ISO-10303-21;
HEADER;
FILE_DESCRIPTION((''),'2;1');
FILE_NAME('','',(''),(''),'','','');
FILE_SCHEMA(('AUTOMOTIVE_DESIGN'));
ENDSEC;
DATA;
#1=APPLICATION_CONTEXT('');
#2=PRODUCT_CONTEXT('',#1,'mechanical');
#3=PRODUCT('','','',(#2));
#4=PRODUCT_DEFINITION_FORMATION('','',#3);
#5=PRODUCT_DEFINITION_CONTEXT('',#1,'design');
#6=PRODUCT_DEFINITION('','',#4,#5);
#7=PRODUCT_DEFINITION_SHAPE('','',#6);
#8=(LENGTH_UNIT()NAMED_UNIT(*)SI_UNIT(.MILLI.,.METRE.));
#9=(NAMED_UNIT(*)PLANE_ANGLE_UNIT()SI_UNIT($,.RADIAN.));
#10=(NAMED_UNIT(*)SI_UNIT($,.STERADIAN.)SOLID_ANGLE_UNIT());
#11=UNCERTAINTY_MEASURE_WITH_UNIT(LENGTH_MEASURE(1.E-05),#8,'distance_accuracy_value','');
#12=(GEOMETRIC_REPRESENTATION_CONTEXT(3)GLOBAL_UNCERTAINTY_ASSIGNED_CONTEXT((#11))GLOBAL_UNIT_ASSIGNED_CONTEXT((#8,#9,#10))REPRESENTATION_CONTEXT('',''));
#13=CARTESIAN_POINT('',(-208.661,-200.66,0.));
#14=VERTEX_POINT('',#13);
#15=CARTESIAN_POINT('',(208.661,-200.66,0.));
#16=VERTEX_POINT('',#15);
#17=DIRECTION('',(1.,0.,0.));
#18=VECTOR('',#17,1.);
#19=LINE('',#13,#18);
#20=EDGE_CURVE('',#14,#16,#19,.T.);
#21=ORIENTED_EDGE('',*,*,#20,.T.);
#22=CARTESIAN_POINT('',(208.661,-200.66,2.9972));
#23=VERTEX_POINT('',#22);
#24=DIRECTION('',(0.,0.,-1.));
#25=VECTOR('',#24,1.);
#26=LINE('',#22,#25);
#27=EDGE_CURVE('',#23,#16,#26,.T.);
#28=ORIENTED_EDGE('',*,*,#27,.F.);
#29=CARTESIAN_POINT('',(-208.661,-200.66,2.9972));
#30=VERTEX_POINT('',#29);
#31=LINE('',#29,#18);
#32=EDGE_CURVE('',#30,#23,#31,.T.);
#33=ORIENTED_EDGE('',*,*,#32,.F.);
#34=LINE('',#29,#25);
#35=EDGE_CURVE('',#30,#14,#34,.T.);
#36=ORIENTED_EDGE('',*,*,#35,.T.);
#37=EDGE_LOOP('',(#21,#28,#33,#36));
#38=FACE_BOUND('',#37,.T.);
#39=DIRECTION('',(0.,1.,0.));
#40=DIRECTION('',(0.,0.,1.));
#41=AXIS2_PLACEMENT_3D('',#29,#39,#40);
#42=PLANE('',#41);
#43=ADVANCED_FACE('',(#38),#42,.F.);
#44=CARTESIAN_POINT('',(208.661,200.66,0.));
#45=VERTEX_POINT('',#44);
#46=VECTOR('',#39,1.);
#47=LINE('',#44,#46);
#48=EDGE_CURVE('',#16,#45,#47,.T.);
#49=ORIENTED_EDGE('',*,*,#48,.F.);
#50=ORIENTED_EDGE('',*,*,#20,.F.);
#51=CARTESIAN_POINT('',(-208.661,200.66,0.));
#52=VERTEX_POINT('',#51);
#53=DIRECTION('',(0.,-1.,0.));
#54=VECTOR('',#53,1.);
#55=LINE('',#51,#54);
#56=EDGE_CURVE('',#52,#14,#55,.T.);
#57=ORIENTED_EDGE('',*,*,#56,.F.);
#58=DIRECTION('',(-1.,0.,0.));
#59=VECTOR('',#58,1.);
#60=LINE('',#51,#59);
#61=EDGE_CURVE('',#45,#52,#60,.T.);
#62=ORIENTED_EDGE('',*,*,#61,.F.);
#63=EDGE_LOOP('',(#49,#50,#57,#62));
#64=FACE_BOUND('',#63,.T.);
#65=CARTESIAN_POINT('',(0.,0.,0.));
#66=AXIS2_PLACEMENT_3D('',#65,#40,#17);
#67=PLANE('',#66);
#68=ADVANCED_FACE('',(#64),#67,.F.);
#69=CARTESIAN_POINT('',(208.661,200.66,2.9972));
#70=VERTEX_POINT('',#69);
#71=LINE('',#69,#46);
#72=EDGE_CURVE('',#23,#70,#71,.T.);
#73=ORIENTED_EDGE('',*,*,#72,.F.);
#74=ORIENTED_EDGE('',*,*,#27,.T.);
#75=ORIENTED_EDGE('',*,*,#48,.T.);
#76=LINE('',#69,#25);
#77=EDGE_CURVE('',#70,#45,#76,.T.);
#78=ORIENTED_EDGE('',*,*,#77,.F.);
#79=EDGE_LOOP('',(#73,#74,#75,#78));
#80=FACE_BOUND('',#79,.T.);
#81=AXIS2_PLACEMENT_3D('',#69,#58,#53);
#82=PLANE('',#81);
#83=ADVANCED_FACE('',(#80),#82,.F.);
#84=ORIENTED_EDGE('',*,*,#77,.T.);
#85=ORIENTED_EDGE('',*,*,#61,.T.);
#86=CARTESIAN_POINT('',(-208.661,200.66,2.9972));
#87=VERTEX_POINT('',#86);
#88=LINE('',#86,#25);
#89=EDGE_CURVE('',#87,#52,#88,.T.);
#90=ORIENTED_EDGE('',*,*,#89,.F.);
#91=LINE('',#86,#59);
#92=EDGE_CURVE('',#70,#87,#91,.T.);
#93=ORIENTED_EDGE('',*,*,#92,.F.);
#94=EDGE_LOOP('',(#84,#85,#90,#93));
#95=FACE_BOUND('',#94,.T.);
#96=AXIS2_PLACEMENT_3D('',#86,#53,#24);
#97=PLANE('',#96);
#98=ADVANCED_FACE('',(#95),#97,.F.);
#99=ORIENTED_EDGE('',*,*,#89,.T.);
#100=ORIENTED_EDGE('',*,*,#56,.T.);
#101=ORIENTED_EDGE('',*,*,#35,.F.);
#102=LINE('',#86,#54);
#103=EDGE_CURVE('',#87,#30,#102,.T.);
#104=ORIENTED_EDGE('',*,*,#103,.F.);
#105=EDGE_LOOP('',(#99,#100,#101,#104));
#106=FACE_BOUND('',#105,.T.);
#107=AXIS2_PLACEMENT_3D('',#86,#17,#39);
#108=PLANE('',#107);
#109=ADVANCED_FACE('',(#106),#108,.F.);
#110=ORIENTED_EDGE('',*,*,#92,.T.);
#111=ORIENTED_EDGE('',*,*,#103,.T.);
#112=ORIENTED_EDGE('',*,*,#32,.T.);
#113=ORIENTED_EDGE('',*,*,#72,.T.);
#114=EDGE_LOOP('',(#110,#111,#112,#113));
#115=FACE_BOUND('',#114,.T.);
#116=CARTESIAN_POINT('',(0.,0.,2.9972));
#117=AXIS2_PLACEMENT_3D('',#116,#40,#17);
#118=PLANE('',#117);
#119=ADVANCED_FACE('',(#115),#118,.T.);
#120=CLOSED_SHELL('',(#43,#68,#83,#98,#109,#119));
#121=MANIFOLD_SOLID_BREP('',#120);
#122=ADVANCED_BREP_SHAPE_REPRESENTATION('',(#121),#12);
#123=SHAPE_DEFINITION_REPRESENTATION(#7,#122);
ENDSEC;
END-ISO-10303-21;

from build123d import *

# Parameters (mm, degrees)
SKETCH1_W           = 417.322
SKETCH1_H           = 401.32
BOSS_EXTRUDE1_DEPTH = 2.9972


with BuildPart() as part:
    # Sketch1 → Boss-Extrude1 (new body)
    with BuildSketch(Plane.XY):
        Rectangle(SKETCH1_W, SKETCH1_H)
    extrude(amount=BOSS_EXTRUDE1_DEPTH)


solid = part.part
